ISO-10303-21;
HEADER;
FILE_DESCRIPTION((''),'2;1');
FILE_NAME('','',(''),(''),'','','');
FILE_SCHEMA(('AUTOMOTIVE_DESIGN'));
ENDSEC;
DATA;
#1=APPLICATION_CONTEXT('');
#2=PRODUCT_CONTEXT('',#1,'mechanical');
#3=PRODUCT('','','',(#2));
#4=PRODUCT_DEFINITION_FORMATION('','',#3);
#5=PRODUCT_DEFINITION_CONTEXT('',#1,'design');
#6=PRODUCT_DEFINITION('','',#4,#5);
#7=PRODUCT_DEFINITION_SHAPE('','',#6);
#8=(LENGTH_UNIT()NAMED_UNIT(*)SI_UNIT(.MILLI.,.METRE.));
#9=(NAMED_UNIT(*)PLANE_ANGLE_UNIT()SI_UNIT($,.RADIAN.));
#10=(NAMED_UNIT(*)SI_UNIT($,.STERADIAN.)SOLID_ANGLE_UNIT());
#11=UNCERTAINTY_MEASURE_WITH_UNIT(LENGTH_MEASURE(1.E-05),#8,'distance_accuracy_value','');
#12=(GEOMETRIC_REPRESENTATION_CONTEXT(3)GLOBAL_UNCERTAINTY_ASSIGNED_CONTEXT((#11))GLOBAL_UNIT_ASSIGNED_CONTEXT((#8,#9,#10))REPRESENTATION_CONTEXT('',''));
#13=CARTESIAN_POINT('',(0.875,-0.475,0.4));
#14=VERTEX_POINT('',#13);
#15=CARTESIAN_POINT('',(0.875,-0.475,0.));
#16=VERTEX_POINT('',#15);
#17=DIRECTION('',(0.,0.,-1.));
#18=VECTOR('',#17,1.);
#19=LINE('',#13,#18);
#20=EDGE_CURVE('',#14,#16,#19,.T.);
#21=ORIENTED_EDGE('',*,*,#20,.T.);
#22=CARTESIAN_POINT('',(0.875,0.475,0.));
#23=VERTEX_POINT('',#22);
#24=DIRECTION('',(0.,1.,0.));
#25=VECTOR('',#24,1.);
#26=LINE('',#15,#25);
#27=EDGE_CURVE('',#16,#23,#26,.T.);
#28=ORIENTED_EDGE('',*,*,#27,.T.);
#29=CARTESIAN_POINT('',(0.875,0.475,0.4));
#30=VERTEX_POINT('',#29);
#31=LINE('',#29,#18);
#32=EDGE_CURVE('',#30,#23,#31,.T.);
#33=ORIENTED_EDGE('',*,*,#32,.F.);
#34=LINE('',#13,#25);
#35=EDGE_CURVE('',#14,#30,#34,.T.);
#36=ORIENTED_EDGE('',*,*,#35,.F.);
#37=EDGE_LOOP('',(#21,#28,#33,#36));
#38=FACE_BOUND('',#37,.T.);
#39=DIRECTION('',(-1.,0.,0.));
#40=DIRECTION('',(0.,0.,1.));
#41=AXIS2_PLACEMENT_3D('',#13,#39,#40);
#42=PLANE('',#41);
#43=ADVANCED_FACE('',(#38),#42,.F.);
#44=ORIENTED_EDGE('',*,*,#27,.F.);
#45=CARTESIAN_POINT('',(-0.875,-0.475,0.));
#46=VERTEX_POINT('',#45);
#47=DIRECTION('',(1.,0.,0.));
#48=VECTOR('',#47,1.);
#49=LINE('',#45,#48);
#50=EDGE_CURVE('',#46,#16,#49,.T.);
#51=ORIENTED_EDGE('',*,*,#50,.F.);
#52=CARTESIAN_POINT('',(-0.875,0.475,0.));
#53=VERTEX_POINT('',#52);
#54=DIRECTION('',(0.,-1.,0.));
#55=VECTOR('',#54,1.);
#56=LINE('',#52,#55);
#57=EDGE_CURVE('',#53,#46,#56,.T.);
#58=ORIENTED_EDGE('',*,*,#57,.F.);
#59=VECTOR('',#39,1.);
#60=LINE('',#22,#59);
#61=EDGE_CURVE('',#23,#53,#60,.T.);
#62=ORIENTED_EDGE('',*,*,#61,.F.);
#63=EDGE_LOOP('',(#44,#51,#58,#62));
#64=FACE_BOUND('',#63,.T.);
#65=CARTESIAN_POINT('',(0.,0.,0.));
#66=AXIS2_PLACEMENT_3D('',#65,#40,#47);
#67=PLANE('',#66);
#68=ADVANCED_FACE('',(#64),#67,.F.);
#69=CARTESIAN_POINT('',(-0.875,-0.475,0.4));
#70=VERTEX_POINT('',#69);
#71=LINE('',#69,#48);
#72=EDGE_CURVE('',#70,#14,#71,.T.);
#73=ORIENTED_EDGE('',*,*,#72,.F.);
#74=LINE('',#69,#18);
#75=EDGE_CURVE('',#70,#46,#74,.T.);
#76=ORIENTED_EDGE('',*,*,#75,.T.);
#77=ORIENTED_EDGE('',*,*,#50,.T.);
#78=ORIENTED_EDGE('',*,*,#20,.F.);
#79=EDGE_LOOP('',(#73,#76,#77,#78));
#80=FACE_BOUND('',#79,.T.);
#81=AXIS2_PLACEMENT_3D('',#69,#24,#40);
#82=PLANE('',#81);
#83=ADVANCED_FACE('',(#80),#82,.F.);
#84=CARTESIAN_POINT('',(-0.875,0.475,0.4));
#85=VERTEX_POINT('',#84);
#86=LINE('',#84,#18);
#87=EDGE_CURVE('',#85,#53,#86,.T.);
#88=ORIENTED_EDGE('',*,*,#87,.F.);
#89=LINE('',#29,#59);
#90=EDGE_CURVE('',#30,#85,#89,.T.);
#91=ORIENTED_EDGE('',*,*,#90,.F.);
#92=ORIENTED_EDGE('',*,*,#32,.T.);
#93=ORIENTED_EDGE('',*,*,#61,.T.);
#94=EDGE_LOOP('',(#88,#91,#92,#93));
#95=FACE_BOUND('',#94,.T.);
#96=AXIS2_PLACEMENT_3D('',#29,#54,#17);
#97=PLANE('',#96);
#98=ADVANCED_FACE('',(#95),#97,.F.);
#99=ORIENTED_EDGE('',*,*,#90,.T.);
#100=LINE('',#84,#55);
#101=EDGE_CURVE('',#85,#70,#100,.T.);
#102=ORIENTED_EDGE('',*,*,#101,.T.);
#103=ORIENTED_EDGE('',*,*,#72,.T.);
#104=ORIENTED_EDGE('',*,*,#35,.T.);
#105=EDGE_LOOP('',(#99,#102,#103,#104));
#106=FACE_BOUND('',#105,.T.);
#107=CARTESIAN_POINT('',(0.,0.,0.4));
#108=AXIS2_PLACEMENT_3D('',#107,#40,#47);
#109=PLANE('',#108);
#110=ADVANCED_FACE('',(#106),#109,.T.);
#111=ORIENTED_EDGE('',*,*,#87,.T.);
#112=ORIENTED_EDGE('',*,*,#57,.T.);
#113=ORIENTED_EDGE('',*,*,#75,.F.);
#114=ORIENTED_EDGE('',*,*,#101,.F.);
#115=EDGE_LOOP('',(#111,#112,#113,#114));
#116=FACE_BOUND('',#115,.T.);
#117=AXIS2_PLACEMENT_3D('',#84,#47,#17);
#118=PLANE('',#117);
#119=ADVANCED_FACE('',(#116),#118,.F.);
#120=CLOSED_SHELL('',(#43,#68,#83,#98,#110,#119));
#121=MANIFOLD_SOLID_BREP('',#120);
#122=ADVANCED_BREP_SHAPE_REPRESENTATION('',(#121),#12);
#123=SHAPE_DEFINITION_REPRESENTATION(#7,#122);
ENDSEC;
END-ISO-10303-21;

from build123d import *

# Parameters (mm, degrees)
SKETCH_1_W      = 1.75
SKETCH_1_H      = 0.95
EXTRUDE_1_DEPTH = 0.4


with BuildPart() as part:
    # 草图1 → 凸台-拉伸1 (new body)
    with BuildSketch(Plane.XY):
        Rectangle(SKETCH_1_W, SKETCH_1_H)
    extrude(amount=EXTRUDE_1_DEPTH)


solid = part.part
